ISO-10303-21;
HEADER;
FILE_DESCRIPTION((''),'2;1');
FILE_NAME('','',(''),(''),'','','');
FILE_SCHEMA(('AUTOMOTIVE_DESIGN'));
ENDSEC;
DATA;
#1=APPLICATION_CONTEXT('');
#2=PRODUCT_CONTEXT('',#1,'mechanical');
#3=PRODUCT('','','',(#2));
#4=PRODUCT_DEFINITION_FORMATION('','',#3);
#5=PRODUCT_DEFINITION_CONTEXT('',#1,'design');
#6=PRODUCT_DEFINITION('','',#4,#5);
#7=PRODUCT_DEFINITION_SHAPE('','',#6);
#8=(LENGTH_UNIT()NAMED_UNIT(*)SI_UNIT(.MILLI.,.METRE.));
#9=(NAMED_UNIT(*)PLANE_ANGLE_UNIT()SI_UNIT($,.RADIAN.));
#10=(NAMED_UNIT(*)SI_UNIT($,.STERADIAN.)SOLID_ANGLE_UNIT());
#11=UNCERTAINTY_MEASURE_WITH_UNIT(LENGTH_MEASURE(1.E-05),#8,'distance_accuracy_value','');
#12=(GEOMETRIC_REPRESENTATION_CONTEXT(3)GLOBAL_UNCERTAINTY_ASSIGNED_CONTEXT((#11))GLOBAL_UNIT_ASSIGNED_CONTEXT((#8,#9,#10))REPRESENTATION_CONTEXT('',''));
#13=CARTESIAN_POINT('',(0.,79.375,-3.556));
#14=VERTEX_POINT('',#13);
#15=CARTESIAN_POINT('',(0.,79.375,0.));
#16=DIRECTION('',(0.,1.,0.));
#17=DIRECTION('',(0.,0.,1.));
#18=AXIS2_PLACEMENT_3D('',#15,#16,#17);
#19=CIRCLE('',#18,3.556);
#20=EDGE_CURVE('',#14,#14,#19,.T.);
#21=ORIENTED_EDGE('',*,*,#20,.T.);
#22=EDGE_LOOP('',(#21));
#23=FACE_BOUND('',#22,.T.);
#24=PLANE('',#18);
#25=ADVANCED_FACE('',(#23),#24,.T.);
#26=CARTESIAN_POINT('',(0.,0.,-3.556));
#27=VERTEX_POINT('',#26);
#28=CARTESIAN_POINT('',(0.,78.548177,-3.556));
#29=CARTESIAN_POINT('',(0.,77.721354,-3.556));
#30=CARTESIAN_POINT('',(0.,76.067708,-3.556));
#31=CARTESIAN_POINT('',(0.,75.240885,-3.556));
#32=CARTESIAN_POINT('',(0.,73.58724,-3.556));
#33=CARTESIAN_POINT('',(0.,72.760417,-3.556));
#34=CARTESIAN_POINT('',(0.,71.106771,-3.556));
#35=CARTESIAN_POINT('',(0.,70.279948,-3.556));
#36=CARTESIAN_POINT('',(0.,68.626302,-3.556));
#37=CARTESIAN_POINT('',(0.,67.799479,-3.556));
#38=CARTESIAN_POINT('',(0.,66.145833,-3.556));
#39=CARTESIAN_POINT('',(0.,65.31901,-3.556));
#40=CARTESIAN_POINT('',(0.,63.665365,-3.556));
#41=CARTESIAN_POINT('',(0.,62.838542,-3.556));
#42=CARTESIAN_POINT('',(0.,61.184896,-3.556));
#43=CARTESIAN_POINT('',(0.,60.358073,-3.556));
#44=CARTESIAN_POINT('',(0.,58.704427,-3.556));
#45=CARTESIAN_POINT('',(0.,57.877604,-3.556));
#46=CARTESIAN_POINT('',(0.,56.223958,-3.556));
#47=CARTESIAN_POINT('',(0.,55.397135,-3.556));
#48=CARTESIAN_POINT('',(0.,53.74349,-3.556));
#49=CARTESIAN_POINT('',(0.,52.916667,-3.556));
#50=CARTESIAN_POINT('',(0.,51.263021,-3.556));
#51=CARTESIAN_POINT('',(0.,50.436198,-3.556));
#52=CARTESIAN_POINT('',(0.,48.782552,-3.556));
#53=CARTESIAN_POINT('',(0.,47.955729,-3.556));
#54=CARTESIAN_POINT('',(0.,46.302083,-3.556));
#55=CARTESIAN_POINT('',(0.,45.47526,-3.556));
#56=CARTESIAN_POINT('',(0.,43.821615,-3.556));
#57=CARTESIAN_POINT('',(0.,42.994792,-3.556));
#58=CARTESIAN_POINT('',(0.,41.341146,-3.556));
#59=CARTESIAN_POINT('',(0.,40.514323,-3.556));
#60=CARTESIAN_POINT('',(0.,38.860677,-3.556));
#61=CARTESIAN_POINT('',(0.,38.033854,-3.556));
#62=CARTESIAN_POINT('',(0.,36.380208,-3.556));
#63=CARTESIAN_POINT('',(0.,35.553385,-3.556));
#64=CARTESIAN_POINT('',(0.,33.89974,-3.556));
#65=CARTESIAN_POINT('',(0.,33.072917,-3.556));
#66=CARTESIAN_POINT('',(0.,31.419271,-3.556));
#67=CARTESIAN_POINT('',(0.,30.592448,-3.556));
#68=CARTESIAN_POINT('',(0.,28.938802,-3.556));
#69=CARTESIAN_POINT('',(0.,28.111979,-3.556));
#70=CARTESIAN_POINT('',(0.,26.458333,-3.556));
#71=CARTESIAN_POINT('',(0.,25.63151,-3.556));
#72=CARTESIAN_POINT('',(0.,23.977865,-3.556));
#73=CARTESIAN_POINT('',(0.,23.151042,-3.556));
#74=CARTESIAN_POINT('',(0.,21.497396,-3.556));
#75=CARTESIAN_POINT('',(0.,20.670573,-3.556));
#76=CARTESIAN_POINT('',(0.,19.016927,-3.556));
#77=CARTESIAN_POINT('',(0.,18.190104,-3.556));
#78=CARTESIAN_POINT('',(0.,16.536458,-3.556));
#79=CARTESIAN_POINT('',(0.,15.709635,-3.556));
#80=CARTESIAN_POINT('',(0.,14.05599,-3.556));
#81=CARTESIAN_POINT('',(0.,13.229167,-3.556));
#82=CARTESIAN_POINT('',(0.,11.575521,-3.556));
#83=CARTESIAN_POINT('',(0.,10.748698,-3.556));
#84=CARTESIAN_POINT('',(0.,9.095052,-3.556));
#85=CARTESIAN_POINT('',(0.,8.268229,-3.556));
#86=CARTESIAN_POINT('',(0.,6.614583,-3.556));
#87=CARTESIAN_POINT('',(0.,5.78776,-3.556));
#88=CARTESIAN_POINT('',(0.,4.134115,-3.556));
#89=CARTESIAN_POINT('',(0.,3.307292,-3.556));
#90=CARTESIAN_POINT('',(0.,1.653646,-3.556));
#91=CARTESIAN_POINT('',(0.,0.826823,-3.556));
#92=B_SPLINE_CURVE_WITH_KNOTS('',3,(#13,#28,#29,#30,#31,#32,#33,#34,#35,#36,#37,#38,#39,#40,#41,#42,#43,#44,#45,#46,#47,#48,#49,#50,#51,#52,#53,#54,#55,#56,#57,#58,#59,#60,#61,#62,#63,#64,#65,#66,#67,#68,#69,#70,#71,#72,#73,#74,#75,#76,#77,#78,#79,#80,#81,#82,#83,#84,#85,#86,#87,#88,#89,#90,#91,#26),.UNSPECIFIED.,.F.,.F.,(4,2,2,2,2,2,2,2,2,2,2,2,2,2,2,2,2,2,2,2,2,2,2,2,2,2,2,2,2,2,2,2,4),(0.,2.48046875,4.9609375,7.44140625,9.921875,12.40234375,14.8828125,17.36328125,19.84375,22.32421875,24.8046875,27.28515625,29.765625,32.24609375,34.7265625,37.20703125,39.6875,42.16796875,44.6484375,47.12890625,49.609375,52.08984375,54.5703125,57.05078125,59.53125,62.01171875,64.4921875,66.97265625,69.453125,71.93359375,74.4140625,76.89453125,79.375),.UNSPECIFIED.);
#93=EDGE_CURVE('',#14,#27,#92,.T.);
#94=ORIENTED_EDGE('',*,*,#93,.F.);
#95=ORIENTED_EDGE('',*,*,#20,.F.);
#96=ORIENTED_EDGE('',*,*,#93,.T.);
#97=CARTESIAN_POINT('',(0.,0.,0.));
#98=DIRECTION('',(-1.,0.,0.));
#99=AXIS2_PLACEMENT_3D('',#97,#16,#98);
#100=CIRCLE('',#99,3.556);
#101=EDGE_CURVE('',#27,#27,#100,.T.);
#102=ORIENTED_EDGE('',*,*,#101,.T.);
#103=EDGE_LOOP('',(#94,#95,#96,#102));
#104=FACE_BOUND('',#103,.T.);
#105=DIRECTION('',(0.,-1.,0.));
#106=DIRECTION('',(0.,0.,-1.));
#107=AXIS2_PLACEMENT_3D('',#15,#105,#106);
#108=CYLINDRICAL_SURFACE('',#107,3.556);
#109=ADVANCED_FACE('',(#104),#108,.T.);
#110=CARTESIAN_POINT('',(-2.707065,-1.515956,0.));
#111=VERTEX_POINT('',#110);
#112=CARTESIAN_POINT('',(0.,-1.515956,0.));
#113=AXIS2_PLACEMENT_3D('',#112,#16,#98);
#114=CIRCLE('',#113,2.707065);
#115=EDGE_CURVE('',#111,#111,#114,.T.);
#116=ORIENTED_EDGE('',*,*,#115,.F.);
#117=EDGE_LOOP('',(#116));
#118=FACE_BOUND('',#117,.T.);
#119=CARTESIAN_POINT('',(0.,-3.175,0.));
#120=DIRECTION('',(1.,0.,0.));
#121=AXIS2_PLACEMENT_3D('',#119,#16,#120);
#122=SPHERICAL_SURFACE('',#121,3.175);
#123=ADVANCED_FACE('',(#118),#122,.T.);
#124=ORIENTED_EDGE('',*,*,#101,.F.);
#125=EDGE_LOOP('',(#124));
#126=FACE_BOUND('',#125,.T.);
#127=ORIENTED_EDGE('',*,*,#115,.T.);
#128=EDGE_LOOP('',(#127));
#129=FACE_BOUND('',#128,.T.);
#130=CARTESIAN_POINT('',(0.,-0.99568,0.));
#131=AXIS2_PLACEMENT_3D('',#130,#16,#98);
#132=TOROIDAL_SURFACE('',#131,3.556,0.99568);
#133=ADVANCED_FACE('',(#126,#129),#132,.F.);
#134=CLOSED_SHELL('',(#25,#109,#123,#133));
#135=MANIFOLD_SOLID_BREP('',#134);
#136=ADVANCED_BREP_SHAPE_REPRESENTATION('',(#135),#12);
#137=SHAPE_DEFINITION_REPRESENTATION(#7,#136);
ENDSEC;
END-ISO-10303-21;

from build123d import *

# Parameters (mm, degrees)
SKETCH1_R           = 3.556
BOSS_EXTRUDE1_DEPTH = 79.375


with BuildPart() as part:
    # Sketch1 → Boss-Extrude1 (new body)
    with BuildSketch(Plane(origin=(0, 0, 0), x_dir=(1, 0, 0), z_dir=(0, 1, 0))):
        with Locations(Location((0, 0, 0), (0, 0, 90))):
            Circle(SKETCH1_R)
    extrude(amount=BOSS_EXTRUDE1_DEPTH)

    # Sketch2 → Revolve1 (revolve)
    with BuildSketch(Plane.XY, mode=Mode.PRIVATE) as revolve1_sk:
        with BuildLine():
            Line((3.556, 0), (0, 0))
            Line((0, 0), (0, -6.35))
            ThreePointArc((0, -6.35), (2.770206601, -4.726315696), (2.707064555, -1.515956151))
            ThreePointArc((2.707064555, -1.515956151), (2.68726321, -0.509187398), (3.556, 0))
        make_face()
    revolve(revolve1_sk.sketch.rotate(Axis((0, 0, 0), (0, -1, 0)), 180), axis=Axis((0, 0, 0), (0, -1, 0)))


solid = part.part
